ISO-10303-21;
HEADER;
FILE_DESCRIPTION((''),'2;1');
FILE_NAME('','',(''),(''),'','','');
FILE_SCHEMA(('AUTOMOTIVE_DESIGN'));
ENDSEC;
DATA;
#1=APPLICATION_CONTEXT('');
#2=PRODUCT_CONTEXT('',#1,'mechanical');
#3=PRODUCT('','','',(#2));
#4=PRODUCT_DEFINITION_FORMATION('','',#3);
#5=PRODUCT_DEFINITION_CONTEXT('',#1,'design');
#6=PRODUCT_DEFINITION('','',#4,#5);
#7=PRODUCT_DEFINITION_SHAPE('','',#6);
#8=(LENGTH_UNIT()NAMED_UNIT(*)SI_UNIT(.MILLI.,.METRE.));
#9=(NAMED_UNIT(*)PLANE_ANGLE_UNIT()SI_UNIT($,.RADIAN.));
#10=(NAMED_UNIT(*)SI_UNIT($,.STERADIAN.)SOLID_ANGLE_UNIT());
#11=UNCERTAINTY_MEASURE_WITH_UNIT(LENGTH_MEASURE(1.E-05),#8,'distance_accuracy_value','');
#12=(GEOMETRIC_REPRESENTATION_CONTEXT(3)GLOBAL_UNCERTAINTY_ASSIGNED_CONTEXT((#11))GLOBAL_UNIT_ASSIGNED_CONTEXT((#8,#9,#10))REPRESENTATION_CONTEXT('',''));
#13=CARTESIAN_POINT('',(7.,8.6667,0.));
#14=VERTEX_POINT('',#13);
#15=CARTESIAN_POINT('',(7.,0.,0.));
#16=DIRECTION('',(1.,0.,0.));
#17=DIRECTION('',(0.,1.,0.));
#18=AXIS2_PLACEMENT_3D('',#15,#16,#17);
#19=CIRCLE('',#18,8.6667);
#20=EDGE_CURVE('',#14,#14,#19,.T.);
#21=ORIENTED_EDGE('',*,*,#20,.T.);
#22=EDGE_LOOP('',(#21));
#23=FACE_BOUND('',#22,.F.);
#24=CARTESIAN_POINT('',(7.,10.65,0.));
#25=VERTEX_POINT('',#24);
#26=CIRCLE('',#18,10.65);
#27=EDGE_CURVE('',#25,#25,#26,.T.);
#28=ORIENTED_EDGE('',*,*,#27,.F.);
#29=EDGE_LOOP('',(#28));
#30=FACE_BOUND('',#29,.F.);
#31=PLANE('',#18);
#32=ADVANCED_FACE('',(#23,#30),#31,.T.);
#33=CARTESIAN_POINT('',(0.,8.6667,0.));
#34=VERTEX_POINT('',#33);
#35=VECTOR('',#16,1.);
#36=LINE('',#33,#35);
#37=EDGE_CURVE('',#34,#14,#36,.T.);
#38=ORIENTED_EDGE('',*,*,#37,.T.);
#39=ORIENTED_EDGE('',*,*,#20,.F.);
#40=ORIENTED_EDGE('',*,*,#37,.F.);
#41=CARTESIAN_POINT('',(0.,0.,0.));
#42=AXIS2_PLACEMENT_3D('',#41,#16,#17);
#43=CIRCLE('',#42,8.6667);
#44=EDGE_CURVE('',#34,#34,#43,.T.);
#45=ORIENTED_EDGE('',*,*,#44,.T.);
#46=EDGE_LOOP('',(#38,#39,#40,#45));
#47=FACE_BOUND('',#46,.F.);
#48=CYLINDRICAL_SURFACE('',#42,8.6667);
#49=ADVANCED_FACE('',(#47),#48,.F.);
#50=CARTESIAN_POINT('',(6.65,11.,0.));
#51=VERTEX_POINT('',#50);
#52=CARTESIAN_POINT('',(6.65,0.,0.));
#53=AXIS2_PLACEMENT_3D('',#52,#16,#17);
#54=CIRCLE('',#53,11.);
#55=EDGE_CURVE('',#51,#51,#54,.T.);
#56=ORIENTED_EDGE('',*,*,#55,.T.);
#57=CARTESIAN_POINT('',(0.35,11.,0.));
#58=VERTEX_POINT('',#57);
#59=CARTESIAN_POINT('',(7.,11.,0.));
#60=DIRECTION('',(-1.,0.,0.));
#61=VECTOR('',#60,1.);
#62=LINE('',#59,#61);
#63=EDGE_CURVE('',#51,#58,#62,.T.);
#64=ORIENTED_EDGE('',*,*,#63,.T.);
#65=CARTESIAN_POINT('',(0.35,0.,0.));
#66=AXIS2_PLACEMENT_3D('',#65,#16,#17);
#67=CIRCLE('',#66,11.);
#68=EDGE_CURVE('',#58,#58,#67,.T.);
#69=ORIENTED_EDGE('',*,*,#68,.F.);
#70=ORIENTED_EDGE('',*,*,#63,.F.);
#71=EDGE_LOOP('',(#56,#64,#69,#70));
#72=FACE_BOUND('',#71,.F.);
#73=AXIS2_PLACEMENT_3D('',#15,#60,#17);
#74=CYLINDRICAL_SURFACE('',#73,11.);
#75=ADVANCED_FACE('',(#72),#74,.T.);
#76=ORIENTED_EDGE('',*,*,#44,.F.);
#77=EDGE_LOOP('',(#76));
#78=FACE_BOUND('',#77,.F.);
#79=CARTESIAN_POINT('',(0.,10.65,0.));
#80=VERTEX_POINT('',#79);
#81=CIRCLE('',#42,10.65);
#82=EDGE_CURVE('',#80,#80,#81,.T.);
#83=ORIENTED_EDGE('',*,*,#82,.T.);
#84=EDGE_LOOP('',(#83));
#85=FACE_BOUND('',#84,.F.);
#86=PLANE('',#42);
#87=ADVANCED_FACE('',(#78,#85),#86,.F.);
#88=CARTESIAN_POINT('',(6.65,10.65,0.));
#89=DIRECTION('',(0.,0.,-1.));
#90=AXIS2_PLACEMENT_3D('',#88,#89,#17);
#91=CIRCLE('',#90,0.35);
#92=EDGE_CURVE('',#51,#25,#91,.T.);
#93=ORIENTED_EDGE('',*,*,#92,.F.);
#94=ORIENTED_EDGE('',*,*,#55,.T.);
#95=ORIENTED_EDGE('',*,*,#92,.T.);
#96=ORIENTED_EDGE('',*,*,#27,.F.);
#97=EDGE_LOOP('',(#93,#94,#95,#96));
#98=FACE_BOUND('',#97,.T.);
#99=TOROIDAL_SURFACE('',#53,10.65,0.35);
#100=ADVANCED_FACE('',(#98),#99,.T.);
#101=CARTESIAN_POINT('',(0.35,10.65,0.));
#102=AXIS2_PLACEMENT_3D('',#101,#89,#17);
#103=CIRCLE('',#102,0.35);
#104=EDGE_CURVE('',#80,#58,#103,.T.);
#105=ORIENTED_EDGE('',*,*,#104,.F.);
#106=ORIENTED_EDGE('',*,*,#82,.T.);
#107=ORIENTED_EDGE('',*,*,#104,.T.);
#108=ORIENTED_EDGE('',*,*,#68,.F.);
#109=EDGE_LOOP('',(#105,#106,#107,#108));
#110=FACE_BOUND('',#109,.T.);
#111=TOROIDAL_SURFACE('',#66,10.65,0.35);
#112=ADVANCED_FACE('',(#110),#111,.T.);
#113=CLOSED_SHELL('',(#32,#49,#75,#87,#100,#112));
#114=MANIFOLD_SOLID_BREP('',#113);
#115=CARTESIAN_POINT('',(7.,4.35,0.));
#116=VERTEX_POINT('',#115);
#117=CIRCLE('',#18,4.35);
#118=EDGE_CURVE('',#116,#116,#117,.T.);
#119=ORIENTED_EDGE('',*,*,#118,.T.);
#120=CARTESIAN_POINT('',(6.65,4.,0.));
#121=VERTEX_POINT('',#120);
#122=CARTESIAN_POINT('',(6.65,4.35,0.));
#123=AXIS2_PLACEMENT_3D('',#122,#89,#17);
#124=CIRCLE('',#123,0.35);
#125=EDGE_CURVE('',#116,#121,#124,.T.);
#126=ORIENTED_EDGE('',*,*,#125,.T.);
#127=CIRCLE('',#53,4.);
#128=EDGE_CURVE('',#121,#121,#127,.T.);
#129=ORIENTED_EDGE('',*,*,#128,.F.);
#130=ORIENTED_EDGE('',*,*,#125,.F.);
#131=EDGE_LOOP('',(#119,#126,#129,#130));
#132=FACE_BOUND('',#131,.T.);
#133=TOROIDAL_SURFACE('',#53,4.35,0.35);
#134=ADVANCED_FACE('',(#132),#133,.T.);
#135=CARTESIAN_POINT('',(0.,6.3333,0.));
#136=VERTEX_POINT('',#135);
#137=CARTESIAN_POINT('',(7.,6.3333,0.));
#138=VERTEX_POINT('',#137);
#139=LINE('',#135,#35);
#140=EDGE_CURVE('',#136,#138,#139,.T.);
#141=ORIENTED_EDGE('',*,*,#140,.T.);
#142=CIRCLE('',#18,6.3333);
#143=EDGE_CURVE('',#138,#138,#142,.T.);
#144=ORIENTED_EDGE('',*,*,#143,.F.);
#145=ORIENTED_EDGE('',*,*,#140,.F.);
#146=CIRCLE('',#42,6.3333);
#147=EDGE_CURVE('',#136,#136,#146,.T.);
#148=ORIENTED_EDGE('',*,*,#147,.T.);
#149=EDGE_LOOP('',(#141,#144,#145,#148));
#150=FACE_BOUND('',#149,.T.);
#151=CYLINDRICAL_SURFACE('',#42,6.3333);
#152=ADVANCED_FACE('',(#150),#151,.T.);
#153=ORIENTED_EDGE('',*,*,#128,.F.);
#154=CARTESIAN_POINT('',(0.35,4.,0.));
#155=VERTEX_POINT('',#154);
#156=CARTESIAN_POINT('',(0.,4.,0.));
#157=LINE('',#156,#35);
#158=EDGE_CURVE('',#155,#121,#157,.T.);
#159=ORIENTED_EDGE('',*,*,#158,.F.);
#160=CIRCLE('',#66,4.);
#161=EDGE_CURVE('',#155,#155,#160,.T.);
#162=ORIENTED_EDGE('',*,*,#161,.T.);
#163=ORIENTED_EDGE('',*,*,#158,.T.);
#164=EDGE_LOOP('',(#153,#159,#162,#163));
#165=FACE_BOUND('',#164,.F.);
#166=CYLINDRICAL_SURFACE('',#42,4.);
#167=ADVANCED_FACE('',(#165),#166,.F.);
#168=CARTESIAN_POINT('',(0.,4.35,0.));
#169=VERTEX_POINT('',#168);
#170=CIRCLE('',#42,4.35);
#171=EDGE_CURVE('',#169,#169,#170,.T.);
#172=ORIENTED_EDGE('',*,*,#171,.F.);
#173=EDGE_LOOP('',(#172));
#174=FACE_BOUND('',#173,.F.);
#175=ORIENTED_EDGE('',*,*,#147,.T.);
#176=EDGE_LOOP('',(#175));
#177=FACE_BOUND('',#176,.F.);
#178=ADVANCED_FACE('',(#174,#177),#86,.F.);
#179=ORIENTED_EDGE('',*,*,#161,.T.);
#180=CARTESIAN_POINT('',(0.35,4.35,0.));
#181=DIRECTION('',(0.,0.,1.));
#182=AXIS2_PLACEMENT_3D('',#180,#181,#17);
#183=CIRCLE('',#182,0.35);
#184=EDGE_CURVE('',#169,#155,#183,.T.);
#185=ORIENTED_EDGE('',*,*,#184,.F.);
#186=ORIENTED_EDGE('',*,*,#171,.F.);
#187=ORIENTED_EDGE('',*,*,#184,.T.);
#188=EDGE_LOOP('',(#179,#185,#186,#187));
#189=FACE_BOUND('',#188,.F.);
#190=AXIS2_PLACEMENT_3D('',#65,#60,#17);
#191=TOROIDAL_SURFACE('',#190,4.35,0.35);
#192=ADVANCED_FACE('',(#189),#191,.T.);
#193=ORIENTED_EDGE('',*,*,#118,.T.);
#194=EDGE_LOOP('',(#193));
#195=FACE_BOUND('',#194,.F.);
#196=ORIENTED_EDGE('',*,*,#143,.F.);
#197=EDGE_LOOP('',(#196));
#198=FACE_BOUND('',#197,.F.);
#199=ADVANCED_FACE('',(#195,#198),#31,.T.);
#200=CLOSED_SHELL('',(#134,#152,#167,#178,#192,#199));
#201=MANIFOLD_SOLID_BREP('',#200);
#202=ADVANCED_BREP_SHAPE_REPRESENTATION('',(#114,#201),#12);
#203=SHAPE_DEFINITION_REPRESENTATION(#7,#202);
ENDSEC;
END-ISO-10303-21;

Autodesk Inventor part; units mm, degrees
ref_plane "YZ Plane" through (0, 0, 0) normal (1, 0, 0) x (0, 1, 0)
ref_plane "XZ Plane" through (0, 0, 0) normal (0, 1, 0) x (-1, 0, 0)
ref_plane "XY Plane" through (0, 0, 0) normal (0, 0, 1) x (1, 0, 0)
sketch "Sketch" plane through (0, 0, 0) normal (0, 0, 1) x (1, 0, 0)
  line L0 (0, 0) -> (7, 0)
  line L1 (0, 0) -> (0, 4) construction
  line L2 (0, 4) -> (7, 4)
  line L3 (7, 4) -> (7, 11)
  line L4 (7, 11) -> (0, 11)
  line L5 (0, 11) -> (0, 4)
  line L6 (0, 7.5) -> (7, 7.5)
  line L7 (0, 8.6667) -> (7, 8.6667)
  line L8 (0, 6.3333) -> (7, 6.3333)
  dimension "d0" = 7
  dimension "d1" = 8
  dimension "d2" = 12.6667
  dimension "d3" = 22
revolve "Body" add sketch "Sketch" angle 360 about axis through (0, 0, 0) along (1, 0, 0) contours L5 L8 L3 L2 | L5 L4 L3 L7
fillet "Fillet1" radius 0.35 4 edges at (0, -11, 0) (7, -11, 0) (0, -4, 0) (7, -4, 0)
equation "\"d5\" = -0.025 * WD + 0.025 * BD"
equation "\"d0\" = KB"
equation "\"d1\" = WD"
equation "\"d2\" = 0.333333 * BD + 0.666667 * WD"
equation "\"d3\" = BD"
equation "\"WD\" = 8"
equation "\"BD\" = 22"
equation "\"KB\" = 7"
equation "\"BBA\" = 0"
equation "\"KRS\" = 0.3"
equation "\"KR1S\" = 0.15"
equation "\"BR\" = 0.5 * BD"
equation "\"WR\" = 0.5 * WD"
properties part number "BS 3469 - 10 - 8 x 22 x 7" material "Steel, Mild"
